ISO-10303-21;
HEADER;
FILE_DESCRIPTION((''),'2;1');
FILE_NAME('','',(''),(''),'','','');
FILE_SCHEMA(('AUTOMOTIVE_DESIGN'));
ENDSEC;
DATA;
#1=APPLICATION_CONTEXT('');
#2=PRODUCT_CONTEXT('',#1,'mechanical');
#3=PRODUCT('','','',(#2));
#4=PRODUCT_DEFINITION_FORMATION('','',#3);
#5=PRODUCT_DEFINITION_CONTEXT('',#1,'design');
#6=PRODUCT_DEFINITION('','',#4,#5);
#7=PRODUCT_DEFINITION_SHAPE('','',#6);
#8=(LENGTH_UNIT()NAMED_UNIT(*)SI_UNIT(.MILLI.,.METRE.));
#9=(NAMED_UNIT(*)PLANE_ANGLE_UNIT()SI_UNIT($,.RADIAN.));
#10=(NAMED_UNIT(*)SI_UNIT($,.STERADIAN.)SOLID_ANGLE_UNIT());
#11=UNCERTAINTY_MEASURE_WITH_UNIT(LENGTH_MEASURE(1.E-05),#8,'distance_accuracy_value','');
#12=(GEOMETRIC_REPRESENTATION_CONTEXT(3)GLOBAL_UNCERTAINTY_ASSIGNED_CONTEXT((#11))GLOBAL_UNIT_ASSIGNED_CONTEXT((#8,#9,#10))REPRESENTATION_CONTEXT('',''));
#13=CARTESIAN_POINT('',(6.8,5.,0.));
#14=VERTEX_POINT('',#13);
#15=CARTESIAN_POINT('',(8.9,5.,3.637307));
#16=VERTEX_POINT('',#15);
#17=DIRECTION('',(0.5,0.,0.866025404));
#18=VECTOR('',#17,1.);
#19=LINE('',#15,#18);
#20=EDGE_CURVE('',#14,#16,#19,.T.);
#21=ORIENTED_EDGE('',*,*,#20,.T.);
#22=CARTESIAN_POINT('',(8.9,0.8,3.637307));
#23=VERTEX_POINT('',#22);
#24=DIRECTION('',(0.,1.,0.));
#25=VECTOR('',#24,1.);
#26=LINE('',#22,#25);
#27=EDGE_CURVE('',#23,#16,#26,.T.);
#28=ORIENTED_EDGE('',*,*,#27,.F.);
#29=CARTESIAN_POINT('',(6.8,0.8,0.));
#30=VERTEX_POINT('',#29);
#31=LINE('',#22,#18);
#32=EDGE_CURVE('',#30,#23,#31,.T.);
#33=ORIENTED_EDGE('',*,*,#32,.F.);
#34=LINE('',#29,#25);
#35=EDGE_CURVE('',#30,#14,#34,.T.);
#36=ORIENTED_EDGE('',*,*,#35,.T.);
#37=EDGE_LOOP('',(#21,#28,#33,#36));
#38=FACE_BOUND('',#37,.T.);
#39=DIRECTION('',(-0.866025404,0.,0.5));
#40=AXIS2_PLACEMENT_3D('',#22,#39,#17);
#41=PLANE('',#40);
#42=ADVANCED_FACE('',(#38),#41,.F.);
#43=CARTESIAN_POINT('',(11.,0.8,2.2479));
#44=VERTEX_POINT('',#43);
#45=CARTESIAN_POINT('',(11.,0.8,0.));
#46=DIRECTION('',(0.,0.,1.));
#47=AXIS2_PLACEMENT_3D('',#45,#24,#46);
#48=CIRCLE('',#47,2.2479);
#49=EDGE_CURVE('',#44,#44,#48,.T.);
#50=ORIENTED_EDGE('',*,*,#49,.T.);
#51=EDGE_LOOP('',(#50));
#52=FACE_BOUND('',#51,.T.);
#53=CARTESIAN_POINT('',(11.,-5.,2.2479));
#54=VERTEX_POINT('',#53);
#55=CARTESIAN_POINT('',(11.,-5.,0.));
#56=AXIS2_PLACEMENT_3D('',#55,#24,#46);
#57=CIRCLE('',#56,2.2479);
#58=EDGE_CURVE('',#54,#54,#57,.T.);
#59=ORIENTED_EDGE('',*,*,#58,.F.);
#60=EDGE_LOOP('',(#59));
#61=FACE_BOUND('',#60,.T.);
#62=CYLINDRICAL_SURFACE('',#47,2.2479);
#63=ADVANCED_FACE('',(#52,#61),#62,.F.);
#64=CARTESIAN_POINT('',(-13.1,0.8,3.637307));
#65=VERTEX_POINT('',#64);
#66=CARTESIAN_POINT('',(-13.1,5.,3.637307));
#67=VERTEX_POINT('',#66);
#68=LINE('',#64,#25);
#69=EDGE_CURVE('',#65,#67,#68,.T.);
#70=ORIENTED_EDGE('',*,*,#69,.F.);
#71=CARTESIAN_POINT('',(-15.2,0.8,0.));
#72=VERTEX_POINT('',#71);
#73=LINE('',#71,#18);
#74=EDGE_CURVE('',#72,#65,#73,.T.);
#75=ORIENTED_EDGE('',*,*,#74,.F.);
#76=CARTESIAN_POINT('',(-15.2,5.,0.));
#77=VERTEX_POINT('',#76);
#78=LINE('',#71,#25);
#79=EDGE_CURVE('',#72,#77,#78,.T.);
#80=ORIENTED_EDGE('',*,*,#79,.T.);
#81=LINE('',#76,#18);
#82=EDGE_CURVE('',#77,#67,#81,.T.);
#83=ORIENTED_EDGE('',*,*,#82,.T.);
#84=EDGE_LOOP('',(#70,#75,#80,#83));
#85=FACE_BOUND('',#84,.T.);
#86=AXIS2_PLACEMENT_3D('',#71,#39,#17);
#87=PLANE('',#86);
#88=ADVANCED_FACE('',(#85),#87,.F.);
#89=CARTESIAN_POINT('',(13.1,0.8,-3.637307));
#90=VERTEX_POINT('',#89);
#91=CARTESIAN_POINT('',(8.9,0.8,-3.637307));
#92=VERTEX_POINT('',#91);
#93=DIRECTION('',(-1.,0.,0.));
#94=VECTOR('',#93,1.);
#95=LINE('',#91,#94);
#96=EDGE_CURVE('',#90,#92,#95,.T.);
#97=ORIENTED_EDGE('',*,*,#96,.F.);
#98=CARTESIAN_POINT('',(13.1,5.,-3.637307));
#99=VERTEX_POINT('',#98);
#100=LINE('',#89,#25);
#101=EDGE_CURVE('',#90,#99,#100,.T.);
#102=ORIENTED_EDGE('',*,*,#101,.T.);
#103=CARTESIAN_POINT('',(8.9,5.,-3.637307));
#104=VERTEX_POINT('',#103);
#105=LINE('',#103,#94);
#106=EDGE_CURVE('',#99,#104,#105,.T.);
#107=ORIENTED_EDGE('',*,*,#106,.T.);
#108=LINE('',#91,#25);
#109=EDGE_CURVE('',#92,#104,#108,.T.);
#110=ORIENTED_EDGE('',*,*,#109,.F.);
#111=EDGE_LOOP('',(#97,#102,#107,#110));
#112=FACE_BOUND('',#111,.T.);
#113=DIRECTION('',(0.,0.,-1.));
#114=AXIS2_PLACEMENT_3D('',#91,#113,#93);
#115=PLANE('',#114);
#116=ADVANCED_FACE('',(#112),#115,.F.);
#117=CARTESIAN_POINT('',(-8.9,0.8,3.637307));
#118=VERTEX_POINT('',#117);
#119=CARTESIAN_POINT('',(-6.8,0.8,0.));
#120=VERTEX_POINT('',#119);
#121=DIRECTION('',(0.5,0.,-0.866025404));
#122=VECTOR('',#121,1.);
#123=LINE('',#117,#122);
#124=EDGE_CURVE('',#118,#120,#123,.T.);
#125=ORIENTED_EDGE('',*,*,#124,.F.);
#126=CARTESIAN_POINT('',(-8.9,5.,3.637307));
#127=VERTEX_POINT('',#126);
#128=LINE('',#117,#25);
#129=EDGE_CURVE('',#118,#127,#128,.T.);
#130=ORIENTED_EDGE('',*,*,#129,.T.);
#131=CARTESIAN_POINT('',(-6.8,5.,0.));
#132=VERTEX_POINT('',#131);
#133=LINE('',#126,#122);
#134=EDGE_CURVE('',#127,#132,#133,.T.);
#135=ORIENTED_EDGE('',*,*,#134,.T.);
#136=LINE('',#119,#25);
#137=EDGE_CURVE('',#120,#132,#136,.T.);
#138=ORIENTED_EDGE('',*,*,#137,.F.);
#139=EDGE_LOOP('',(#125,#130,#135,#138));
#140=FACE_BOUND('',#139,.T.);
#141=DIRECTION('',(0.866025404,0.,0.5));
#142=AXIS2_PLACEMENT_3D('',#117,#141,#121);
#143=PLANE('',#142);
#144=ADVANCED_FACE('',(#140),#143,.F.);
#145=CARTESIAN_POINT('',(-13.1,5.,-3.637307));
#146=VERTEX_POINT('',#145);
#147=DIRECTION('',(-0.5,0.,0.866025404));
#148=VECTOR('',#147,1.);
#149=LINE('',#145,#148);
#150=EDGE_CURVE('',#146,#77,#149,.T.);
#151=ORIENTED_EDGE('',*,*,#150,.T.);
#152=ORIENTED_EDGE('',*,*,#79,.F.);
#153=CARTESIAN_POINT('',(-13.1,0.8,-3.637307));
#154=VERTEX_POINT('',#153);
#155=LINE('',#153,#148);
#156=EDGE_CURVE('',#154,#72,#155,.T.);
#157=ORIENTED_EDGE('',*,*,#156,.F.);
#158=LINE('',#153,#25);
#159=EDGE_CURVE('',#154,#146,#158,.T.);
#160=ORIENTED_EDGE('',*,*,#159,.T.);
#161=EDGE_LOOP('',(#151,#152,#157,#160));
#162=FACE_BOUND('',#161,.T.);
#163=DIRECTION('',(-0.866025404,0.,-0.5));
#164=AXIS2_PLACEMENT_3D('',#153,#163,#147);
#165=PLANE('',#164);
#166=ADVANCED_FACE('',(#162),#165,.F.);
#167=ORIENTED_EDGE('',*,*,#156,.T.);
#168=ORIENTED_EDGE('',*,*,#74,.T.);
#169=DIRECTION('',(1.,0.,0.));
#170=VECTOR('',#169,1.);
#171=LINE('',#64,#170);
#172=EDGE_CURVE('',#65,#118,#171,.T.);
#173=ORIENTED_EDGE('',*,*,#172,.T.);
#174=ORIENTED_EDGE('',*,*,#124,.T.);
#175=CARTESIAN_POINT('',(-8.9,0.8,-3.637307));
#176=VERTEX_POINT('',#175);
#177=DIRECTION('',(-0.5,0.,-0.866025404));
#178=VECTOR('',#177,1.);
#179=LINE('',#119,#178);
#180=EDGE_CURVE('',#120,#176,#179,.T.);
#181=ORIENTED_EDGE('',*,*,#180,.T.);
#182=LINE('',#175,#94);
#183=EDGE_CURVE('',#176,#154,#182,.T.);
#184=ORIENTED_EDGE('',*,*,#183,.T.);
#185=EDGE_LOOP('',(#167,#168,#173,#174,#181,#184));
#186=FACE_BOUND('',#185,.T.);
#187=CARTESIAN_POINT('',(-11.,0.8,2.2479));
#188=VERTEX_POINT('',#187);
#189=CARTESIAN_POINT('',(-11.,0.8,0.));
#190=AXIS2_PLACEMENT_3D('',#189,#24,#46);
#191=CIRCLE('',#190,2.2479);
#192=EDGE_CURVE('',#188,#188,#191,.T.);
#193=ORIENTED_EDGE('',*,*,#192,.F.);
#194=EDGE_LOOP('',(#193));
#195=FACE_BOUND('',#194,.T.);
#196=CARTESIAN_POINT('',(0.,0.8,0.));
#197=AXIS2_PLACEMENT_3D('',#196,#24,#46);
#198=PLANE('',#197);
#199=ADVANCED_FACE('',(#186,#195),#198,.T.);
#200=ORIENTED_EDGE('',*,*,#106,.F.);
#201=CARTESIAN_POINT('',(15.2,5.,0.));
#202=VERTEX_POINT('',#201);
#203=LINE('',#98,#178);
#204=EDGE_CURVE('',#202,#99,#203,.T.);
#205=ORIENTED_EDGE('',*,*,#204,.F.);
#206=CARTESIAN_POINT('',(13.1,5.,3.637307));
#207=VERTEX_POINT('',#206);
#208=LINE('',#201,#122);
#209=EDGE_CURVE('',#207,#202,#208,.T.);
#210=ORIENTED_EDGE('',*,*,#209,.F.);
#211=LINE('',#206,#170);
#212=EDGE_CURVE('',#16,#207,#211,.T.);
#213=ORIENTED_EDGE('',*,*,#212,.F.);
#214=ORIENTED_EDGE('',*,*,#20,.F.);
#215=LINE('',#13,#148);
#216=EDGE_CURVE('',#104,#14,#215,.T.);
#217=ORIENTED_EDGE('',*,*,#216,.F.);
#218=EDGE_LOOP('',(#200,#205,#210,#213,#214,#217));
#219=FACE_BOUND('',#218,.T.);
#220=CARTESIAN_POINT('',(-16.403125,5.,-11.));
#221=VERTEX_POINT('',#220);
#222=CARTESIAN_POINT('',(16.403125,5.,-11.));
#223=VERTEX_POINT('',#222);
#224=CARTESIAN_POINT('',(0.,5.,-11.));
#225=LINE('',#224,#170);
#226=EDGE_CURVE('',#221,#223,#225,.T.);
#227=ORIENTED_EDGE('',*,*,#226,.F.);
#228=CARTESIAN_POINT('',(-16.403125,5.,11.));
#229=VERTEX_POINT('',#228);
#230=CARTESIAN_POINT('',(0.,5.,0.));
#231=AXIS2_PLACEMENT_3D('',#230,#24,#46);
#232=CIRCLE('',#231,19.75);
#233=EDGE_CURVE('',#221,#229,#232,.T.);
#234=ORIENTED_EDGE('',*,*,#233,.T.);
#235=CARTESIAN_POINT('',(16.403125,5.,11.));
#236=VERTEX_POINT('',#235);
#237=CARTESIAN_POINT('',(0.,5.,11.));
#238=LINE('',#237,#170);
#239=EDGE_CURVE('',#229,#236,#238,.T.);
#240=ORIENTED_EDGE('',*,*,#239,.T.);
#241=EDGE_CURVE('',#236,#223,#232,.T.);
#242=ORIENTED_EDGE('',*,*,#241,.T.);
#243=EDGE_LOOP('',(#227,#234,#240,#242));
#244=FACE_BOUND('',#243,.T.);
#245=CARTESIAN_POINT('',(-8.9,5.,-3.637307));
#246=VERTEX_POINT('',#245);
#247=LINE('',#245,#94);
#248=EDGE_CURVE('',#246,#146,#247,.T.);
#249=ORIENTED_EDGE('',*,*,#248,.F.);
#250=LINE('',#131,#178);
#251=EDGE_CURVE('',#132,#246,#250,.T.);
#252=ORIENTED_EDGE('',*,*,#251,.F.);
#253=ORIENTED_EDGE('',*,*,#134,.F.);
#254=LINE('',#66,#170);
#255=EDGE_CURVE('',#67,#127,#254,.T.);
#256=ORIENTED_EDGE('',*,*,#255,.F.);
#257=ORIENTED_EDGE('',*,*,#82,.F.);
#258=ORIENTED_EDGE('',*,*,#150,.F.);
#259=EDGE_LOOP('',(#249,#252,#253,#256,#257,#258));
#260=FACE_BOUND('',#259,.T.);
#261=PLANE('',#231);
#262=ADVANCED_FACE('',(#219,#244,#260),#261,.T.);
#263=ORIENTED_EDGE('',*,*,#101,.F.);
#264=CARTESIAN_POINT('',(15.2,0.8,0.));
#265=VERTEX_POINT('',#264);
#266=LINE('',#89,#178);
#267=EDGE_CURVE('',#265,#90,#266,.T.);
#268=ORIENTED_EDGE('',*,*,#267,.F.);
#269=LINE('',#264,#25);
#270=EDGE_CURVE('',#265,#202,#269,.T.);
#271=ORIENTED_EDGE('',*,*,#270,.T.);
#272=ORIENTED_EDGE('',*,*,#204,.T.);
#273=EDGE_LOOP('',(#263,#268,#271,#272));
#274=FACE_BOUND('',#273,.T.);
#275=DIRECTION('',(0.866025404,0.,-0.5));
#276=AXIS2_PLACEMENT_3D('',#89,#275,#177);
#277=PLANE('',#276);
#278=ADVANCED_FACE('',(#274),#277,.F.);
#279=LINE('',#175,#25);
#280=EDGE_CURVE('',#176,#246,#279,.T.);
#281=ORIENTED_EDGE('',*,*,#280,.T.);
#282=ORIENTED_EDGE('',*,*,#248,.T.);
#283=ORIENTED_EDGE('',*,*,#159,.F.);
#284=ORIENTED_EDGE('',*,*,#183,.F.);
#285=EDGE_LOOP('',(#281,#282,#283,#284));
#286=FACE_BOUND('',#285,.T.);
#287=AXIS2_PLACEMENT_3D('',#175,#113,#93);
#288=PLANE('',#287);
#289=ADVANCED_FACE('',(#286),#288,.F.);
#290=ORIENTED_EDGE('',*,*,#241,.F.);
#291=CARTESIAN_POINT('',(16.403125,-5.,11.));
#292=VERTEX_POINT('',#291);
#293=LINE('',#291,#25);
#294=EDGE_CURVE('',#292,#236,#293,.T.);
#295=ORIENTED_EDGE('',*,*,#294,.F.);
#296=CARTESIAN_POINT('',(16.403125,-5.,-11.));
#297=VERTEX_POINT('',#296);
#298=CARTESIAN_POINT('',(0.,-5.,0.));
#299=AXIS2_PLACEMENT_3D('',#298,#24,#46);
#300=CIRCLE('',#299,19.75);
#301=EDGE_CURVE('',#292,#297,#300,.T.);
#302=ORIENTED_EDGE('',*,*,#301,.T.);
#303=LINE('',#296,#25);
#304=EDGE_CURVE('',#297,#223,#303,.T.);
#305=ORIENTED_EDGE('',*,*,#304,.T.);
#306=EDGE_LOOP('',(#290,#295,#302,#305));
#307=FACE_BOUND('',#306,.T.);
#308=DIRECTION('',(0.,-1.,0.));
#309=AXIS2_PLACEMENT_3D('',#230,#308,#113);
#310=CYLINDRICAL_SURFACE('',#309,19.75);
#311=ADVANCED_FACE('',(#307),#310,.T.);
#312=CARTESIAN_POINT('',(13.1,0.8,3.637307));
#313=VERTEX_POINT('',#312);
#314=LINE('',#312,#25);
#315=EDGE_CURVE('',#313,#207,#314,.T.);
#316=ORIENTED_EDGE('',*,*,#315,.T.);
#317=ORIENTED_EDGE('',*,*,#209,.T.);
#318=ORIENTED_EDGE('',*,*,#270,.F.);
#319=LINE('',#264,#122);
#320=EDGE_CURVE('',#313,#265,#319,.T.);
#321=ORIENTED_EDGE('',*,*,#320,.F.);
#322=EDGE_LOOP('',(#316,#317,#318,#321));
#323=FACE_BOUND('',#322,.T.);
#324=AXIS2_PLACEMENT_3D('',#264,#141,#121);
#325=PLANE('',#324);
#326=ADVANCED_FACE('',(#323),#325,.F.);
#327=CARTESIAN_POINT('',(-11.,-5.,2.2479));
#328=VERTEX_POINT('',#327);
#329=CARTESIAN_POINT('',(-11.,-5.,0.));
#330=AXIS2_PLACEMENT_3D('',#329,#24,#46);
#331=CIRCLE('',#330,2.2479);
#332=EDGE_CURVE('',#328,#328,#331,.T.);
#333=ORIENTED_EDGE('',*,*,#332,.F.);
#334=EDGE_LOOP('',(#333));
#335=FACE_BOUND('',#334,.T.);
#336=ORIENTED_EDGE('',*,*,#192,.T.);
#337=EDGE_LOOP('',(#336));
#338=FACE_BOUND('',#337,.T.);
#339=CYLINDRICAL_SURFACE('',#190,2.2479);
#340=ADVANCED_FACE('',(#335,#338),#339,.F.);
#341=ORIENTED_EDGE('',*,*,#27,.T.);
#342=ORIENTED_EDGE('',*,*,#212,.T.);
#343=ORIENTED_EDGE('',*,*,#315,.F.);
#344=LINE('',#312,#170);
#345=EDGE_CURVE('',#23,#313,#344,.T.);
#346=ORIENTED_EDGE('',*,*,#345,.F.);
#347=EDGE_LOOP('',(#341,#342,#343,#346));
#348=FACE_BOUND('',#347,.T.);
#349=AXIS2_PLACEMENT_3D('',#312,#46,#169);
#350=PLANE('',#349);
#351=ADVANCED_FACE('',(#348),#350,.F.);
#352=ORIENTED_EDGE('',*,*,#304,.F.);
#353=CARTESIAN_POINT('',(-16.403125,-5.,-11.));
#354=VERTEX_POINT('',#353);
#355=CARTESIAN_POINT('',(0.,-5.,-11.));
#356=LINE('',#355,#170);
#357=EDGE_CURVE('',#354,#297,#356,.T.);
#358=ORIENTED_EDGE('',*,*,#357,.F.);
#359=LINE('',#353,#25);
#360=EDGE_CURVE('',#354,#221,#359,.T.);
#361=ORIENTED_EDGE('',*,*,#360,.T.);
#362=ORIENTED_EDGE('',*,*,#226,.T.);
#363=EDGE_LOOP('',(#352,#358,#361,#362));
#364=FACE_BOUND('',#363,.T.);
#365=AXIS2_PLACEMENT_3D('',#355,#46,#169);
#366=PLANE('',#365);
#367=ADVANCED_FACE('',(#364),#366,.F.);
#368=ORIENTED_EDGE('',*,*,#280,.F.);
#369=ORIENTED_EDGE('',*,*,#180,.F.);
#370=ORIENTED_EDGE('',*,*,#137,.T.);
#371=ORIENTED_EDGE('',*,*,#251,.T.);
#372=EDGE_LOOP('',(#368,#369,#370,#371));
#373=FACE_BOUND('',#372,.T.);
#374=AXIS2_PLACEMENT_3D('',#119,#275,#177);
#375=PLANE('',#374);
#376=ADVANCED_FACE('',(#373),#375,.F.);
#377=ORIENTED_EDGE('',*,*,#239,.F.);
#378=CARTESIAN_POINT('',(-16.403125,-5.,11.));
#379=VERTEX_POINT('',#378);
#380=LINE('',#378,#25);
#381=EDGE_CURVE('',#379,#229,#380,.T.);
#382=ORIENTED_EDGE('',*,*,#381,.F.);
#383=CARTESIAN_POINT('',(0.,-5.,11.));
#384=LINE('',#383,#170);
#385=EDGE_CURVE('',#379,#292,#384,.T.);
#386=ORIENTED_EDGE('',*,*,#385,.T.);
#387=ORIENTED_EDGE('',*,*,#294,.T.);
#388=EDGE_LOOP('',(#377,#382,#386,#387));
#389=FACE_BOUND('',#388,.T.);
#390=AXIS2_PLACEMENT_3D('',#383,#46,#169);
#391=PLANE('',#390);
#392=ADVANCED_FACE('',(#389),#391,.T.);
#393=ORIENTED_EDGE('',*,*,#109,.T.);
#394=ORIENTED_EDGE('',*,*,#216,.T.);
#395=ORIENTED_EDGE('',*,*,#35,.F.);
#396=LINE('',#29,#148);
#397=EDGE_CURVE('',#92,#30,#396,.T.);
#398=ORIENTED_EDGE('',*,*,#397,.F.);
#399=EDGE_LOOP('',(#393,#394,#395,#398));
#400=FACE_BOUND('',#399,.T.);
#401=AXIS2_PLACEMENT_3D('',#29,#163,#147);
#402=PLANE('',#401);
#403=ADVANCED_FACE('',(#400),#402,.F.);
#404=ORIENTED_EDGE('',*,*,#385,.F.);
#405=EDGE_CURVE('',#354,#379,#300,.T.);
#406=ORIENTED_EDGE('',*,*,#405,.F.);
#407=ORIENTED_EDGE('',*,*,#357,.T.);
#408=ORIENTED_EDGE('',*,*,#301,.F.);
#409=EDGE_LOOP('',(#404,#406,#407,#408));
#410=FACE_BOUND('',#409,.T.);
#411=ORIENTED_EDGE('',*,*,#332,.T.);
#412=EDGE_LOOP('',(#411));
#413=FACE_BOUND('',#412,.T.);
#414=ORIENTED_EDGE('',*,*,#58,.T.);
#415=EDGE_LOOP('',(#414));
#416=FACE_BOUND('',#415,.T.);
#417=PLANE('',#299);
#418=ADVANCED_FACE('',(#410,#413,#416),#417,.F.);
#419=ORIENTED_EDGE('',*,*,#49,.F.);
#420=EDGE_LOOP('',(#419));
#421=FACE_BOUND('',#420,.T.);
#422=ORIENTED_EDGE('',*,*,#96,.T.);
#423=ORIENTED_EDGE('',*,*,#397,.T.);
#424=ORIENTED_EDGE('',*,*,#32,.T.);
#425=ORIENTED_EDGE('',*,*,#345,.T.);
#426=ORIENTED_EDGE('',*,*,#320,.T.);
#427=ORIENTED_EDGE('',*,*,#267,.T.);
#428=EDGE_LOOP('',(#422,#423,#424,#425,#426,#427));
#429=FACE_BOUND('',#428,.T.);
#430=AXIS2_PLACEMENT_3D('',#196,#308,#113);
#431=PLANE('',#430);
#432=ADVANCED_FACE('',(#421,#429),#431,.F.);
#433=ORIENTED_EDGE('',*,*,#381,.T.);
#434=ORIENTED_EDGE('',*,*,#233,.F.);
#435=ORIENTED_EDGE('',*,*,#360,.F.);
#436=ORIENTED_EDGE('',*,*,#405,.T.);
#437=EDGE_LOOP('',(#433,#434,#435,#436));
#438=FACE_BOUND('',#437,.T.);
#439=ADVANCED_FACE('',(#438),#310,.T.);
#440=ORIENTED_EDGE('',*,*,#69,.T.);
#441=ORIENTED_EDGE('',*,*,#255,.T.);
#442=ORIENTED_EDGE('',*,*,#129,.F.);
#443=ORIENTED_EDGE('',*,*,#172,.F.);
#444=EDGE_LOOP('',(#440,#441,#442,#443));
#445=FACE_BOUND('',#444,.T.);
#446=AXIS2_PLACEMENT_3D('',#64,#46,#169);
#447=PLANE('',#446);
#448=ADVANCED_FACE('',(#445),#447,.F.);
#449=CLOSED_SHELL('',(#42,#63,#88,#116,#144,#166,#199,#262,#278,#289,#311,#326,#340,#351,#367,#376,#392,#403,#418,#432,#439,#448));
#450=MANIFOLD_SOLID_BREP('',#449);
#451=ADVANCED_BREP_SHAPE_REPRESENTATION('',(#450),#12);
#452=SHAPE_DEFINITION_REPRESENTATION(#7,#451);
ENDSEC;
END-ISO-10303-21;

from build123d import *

# Parameters (mm, degrees)
SKETCH1_R             = 19.75
BOSS_EXTRUDE1_DEPTH   = 5
CUT_EXTRUDE1_DEPTH    = 4.2
F_8_CLEARANCE_HOLE1_D = 4.4958
CUT_EXTRUDE2_DEPTH    = 10


with BuildPart() as part:
    # Sketch1 → Boss-Extrude1 (new, symmetric)
    with BuildSketch(Plane(origin=(0, 0, 0), x_dir=(1, 0, 0), z_dir=(0, 1, 0))):
        Circle(SKETCH1_R)
    extrude(amount=BOSS_EXTRUDE1_DEPTH, both=True)

    # Sketch2 → Cut-Extrude1 (cut)
    with BuildSketch(Plane(origin=(0, 5, 0), x_dir=(1, 0, 0), z_dir=(0, 1, 0))):
        Polygon((-8.9, -3.637306696), (-6.8, 0), (-8.9, 3.637306696), (-13.1, 3.637306696), (-15.2, 0), (-13.1, -3.637306696), align=None)
        Polygon((13.1, -3.637306696), (8.9, -3.637306696), (6.8, 0), (8.9, 3.637306696), (13.1, 3.637306696), (15.2, 0), align=None)
    extrude(amount=-CUT_EXTRUDE1_DEPTH, mode=Mode.SUBTRACT)

    # #8 Clearance Hole1 (through all)
    with Locations(Plane(origin=(0, 0.8, 0), x_dir=(1, 0, 0), z_dir=(0, 1, 0))):
        with Locations((-11, 0), (11, 0)):
            Hole(F_8_CLEARANCE_HOLE1_D / 2)

    # Sketch6 → Cut-Extrude2 (cut)
    with BuildSketch(Plane(origin=(0, 5, 0), x_dir=(1, 0, 0), z_dir=(0, 1, 0))):
        with BuildLine():
            ThreePointArc((16.403124702, 11), (0, 19.75), (-16.403124702, 11))
            Line((-16.403124702, 11), (16.403124702, 11))
        make_face()
        with BuildLine():
            Line((16.403124702, -11), (-16.403124702, -11))
            ThreePointArc((-16.403124702, -11), (0, -19.75), (16.403124702, -11))
        make_face()
    extrude(amount=-CUT_EXTRUDE2_DEPTH, mode=Mode.SUBTRACT)


solid = part.part
